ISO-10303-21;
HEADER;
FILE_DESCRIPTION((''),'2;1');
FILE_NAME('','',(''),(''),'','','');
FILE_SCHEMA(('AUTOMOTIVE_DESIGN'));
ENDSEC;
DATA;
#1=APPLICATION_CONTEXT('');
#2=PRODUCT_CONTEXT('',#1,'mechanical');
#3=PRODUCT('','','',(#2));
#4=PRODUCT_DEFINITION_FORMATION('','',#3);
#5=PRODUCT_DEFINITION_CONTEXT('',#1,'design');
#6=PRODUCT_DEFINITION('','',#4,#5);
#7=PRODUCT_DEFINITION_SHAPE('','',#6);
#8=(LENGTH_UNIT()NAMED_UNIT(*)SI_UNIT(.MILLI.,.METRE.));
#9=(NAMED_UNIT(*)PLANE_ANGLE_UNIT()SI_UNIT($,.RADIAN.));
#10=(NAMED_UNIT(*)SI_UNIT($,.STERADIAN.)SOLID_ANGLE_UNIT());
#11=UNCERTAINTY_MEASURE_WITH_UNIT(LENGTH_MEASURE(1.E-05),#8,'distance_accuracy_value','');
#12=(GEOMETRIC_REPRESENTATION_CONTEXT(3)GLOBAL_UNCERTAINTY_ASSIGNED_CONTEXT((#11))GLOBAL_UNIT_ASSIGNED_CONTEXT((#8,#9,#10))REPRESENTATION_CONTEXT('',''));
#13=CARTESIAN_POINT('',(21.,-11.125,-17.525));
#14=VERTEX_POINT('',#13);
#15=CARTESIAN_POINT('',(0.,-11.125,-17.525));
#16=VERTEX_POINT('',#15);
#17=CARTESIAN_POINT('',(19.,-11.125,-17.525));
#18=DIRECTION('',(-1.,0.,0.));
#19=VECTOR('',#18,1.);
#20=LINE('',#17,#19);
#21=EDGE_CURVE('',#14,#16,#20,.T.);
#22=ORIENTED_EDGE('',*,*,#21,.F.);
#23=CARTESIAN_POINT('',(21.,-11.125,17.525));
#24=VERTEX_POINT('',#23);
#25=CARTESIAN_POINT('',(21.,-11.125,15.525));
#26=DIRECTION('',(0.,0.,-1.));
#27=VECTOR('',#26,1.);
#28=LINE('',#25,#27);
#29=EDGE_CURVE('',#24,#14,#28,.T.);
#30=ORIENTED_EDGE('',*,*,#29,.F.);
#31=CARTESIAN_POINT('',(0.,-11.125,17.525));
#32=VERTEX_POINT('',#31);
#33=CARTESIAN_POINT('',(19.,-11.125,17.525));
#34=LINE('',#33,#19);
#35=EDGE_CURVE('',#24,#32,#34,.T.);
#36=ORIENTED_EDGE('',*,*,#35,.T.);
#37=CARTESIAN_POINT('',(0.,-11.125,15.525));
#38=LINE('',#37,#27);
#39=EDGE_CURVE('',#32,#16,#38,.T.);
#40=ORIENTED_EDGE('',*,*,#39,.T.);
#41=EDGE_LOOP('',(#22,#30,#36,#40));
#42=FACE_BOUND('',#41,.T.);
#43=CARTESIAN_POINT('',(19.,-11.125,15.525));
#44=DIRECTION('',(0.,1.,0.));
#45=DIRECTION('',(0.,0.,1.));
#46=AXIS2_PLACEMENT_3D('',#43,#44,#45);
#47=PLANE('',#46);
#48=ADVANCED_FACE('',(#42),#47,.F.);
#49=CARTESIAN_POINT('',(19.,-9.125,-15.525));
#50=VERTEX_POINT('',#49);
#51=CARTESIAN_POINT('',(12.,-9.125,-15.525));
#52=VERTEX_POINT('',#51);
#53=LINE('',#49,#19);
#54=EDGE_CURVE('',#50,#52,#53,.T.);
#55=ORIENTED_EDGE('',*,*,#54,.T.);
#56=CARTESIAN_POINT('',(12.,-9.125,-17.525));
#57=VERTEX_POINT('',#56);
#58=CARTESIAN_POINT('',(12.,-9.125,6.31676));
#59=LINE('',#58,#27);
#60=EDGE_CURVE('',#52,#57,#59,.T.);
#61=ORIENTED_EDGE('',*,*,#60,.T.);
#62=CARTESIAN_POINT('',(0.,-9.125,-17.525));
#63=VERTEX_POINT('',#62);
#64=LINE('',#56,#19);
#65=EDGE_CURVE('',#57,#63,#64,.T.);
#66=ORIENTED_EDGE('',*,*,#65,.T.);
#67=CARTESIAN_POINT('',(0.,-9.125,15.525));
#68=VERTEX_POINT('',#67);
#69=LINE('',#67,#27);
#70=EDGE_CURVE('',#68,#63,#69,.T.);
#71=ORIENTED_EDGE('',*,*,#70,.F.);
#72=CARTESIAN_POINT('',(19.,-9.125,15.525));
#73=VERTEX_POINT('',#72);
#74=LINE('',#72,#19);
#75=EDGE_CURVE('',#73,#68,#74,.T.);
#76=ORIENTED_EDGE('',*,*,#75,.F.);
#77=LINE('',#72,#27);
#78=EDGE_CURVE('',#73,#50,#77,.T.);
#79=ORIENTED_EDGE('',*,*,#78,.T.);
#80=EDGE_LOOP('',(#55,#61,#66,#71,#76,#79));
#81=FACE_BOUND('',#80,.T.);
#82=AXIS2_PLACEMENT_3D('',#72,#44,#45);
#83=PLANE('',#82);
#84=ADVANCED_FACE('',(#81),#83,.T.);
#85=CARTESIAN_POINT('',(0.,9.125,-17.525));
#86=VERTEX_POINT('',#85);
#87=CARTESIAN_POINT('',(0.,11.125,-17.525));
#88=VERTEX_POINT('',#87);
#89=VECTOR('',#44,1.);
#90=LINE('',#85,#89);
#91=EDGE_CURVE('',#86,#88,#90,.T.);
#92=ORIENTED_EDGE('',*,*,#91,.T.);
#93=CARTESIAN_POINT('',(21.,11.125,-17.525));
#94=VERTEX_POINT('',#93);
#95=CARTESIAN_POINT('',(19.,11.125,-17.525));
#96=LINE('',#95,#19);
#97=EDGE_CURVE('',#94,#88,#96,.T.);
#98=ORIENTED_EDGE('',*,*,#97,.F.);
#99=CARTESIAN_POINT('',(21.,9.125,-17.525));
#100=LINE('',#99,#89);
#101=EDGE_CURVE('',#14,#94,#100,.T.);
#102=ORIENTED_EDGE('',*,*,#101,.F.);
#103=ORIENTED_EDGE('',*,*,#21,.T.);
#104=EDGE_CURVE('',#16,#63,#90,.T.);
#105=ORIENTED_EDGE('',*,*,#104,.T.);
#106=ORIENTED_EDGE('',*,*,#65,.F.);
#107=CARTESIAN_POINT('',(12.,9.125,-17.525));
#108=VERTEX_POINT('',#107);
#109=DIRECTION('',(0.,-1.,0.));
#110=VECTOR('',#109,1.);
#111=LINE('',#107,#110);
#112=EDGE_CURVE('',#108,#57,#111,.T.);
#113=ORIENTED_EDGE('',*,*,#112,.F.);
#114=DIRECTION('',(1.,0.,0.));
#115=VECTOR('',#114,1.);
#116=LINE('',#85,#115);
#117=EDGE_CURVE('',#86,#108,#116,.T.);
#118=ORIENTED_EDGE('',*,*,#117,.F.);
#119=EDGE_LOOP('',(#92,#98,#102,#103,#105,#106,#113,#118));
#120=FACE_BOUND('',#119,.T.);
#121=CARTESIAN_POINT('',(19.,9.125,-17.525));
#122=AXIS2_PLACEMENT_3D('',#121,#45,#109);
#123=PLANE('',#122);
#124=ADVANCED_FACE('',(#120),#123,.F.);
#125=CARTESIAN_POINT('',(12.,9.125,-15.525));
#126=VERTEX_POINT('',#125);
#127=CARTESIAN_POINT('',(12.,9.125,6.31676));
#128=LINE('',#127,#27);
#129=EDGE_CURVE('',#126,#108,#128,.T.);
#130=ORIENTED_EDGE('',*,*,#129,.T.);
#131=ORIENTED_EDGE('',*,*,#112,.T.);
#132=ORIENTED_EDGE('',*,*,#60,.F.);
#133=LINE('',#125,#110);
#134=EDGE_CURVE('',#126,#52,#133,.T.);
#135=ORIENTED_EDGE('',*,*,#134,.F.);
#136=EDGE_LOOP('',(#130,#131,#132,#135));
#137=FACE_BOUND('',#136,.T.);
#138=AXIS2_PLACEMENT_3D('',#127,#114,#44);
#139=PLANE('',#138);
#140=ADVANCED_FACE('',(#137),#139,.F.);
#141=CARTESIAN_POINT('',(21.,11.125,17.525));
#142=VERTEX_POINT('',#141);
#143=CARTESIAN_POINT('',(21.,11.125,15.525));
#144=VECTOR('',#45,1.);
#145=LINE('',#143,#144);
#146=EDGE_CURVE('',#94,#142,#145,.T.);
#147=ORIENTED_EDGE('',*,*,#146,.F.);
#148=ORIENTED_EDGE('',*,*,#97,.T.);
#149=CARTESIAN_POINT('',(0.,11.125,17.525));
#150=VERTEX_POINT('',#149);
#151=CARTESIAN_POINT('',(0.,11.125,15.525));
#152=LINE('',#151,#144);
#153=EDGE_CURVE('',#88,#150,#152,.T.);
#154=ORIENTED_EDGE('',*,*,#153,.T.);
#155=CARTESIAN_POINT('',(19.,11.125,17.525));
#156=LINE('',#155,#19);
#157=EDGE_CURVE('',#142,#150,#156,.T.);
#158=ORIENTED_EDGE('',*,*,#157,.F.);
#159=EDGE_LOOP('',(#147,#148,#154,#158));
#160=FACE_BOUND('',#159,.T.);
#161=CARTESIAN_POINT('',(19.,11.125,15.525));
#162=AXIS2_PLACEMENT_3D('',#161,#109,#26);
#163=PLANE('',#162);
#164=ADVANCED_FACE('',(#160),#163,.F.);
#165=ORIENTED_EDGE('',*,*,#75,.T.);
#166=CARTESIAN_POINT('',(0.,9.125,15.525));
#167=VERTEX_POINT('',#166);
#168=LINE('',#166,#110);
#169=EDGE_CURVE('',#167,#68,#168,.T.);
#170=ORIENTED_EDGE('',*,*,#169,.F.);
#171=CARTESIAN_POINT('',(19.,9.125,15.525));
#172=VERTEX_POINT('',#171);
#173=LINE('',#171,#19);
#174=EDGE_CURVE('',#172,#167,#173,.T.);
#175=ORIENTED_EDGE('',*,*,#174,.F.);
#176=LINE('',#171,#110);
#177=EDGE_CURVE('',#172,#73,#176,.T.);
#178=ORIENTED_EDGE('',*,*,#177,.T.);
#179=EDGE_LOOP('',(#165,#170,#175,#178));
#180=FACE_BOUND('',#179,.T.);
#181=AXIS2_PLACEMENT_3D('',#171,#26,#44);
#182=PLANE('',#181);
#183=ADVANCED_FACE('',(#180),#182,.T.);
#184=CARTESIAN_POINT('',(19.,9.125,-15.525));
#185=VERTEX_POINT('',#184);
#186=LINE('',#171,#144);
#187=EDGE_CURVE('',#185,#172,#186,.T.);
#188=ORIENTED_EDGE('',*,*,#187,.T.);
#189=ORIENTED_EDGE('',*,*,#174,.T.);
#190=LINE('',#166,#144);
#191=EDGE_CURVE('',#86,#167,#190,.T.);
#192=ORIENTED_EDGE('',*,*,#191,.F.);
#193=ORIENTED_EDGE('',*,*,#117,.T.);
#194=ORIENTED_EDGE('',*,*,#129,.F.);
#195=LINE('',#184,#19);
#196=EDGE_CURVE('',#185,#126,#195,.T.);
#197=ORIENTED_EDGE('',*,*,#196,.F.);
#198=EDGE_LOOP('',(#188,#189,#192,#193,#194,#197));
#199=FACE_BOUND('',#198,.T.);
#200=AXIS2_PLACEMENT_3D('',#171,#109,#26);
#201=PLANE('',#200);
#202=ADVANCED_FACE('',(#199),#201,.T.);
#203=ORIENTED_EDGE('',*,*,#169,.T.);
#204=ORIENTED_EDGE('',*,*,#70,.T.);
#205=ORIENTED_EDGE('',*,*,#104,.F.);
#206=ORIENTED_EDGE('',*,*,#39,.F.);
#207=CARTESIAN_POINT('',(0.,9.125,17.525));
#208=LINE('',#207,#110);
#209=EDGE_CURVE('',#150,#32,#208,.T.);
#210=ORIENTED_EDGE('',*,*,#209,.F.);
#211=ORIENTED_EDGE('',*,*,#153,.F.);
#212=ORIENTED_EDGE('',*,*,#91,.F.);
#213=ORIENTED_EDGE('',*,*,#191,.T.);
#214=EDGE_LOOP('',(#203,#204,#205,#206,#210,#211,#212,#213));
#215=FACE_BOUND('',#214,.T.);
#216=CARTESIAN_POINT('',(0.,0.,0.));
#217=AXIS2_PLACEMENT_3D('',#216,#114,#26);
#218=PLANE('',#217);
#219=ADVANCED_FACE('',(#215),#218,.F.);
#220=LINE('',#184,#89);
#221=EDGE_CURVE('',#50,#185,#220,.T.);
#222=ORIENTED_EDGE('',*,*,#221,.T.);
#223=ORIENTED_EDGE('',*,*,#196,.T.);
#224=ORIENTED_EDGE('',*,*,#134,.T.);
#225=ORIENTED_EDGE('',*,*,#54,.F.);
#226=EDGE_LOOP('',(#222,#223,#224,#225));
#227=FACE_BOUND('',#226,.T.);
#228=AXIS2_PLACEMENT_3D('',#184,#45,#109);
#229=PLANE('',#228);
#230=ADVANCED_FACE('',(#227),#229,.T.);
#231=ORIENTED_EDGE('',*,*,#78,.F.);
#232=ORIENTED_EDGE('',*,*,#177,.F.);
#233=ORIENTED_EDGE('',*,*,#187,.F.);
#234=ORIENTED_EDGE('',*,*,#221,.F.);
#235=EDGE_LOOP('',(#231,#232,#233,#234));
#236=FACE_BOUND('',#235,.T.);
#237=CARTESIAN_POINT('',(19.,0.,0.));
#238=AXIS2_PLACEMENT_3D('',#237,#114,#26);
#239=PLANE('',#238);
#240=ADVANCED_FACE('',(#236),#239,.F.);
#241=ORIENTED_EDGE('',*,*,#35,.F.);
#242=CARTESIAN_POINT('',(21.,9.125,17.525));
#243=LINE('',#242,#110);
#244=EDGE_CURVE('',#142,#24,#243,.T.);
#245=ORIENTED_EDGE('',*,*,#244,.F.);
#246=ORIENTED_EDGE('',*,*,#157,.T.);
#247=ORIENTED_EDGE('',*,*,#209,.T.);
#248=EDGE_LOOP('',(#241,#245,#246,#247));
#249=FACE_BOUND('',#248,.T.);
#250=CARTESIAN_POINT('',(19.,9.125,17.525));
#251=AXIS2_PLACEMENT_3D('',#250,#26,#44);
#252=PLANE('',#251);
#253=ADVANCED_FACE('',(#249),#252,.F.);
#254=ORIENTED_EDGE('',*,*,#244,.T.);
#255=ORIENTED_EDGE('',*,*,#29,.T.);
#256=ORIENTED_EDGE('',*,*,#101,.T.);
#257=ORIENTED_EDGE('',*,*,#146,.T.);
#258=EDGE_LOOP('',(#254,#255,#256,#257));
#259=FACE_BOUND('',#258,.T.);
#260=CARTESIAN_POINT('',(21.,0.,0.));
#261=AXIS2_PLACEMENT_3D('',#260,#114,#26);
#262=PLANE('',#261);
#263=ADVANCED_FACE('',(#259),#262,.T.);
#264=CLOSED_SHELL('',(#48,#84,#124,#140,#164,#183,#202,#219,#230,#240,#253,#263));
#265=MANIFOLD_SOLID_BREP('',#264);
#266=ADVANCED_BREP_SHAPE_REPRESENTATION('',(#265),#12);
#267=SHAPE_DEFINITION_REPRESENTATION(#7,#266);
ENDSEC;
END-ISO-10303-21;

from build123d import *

# Parameters (mm, degrees)
SKETCH4_W           = 31.05
SKETCH4_H           = 18.25
BOSS_EXTRUDE1_DEPTH = 19
SHELL1_T            = 2
SKETCH5_W           = 12
SKETCH5_H           = 18.25
CUT_EXTRUDE1_DEPTH  = 2


with BuildPart() as part:
    # Sketch4 → Boss-Extrude1 (new body)
    with BuildSketch(Plane(origin=(0, 0, 0), x_dir=(0, 0, -1), z_dir=(1, 0, 0))):
        Rectangle(SKETCH4_W, SKETCH4_H)
    extrude(amount=BOSS_EXTRUDE1_DEPTH)

    # Shell1
    shell1_openings = [part.faces().sort_by_distance(p)[0] for p in [
        (0, 0, 0),
    ]]
    offset(amount=SHELL1_T, openings=shell1_openings, kind=Kind.INTERSECTION)

    # Sketch5 → Cut-Extrude1 (cut)
    with BuildSketch(Plane(origin=(0, 0, -17.525), x_dir=(-1, 0, 0), z_dir=(0, 0, -1))):
        with Locations((-6, 0)):
            Rectangle(SKETCH5_W, SKETCH5_H)
    extrude(amount=-CUT_EXTRUDE1_DEPTH, mode=Mode.SUBTRACT)


solid = part.part
